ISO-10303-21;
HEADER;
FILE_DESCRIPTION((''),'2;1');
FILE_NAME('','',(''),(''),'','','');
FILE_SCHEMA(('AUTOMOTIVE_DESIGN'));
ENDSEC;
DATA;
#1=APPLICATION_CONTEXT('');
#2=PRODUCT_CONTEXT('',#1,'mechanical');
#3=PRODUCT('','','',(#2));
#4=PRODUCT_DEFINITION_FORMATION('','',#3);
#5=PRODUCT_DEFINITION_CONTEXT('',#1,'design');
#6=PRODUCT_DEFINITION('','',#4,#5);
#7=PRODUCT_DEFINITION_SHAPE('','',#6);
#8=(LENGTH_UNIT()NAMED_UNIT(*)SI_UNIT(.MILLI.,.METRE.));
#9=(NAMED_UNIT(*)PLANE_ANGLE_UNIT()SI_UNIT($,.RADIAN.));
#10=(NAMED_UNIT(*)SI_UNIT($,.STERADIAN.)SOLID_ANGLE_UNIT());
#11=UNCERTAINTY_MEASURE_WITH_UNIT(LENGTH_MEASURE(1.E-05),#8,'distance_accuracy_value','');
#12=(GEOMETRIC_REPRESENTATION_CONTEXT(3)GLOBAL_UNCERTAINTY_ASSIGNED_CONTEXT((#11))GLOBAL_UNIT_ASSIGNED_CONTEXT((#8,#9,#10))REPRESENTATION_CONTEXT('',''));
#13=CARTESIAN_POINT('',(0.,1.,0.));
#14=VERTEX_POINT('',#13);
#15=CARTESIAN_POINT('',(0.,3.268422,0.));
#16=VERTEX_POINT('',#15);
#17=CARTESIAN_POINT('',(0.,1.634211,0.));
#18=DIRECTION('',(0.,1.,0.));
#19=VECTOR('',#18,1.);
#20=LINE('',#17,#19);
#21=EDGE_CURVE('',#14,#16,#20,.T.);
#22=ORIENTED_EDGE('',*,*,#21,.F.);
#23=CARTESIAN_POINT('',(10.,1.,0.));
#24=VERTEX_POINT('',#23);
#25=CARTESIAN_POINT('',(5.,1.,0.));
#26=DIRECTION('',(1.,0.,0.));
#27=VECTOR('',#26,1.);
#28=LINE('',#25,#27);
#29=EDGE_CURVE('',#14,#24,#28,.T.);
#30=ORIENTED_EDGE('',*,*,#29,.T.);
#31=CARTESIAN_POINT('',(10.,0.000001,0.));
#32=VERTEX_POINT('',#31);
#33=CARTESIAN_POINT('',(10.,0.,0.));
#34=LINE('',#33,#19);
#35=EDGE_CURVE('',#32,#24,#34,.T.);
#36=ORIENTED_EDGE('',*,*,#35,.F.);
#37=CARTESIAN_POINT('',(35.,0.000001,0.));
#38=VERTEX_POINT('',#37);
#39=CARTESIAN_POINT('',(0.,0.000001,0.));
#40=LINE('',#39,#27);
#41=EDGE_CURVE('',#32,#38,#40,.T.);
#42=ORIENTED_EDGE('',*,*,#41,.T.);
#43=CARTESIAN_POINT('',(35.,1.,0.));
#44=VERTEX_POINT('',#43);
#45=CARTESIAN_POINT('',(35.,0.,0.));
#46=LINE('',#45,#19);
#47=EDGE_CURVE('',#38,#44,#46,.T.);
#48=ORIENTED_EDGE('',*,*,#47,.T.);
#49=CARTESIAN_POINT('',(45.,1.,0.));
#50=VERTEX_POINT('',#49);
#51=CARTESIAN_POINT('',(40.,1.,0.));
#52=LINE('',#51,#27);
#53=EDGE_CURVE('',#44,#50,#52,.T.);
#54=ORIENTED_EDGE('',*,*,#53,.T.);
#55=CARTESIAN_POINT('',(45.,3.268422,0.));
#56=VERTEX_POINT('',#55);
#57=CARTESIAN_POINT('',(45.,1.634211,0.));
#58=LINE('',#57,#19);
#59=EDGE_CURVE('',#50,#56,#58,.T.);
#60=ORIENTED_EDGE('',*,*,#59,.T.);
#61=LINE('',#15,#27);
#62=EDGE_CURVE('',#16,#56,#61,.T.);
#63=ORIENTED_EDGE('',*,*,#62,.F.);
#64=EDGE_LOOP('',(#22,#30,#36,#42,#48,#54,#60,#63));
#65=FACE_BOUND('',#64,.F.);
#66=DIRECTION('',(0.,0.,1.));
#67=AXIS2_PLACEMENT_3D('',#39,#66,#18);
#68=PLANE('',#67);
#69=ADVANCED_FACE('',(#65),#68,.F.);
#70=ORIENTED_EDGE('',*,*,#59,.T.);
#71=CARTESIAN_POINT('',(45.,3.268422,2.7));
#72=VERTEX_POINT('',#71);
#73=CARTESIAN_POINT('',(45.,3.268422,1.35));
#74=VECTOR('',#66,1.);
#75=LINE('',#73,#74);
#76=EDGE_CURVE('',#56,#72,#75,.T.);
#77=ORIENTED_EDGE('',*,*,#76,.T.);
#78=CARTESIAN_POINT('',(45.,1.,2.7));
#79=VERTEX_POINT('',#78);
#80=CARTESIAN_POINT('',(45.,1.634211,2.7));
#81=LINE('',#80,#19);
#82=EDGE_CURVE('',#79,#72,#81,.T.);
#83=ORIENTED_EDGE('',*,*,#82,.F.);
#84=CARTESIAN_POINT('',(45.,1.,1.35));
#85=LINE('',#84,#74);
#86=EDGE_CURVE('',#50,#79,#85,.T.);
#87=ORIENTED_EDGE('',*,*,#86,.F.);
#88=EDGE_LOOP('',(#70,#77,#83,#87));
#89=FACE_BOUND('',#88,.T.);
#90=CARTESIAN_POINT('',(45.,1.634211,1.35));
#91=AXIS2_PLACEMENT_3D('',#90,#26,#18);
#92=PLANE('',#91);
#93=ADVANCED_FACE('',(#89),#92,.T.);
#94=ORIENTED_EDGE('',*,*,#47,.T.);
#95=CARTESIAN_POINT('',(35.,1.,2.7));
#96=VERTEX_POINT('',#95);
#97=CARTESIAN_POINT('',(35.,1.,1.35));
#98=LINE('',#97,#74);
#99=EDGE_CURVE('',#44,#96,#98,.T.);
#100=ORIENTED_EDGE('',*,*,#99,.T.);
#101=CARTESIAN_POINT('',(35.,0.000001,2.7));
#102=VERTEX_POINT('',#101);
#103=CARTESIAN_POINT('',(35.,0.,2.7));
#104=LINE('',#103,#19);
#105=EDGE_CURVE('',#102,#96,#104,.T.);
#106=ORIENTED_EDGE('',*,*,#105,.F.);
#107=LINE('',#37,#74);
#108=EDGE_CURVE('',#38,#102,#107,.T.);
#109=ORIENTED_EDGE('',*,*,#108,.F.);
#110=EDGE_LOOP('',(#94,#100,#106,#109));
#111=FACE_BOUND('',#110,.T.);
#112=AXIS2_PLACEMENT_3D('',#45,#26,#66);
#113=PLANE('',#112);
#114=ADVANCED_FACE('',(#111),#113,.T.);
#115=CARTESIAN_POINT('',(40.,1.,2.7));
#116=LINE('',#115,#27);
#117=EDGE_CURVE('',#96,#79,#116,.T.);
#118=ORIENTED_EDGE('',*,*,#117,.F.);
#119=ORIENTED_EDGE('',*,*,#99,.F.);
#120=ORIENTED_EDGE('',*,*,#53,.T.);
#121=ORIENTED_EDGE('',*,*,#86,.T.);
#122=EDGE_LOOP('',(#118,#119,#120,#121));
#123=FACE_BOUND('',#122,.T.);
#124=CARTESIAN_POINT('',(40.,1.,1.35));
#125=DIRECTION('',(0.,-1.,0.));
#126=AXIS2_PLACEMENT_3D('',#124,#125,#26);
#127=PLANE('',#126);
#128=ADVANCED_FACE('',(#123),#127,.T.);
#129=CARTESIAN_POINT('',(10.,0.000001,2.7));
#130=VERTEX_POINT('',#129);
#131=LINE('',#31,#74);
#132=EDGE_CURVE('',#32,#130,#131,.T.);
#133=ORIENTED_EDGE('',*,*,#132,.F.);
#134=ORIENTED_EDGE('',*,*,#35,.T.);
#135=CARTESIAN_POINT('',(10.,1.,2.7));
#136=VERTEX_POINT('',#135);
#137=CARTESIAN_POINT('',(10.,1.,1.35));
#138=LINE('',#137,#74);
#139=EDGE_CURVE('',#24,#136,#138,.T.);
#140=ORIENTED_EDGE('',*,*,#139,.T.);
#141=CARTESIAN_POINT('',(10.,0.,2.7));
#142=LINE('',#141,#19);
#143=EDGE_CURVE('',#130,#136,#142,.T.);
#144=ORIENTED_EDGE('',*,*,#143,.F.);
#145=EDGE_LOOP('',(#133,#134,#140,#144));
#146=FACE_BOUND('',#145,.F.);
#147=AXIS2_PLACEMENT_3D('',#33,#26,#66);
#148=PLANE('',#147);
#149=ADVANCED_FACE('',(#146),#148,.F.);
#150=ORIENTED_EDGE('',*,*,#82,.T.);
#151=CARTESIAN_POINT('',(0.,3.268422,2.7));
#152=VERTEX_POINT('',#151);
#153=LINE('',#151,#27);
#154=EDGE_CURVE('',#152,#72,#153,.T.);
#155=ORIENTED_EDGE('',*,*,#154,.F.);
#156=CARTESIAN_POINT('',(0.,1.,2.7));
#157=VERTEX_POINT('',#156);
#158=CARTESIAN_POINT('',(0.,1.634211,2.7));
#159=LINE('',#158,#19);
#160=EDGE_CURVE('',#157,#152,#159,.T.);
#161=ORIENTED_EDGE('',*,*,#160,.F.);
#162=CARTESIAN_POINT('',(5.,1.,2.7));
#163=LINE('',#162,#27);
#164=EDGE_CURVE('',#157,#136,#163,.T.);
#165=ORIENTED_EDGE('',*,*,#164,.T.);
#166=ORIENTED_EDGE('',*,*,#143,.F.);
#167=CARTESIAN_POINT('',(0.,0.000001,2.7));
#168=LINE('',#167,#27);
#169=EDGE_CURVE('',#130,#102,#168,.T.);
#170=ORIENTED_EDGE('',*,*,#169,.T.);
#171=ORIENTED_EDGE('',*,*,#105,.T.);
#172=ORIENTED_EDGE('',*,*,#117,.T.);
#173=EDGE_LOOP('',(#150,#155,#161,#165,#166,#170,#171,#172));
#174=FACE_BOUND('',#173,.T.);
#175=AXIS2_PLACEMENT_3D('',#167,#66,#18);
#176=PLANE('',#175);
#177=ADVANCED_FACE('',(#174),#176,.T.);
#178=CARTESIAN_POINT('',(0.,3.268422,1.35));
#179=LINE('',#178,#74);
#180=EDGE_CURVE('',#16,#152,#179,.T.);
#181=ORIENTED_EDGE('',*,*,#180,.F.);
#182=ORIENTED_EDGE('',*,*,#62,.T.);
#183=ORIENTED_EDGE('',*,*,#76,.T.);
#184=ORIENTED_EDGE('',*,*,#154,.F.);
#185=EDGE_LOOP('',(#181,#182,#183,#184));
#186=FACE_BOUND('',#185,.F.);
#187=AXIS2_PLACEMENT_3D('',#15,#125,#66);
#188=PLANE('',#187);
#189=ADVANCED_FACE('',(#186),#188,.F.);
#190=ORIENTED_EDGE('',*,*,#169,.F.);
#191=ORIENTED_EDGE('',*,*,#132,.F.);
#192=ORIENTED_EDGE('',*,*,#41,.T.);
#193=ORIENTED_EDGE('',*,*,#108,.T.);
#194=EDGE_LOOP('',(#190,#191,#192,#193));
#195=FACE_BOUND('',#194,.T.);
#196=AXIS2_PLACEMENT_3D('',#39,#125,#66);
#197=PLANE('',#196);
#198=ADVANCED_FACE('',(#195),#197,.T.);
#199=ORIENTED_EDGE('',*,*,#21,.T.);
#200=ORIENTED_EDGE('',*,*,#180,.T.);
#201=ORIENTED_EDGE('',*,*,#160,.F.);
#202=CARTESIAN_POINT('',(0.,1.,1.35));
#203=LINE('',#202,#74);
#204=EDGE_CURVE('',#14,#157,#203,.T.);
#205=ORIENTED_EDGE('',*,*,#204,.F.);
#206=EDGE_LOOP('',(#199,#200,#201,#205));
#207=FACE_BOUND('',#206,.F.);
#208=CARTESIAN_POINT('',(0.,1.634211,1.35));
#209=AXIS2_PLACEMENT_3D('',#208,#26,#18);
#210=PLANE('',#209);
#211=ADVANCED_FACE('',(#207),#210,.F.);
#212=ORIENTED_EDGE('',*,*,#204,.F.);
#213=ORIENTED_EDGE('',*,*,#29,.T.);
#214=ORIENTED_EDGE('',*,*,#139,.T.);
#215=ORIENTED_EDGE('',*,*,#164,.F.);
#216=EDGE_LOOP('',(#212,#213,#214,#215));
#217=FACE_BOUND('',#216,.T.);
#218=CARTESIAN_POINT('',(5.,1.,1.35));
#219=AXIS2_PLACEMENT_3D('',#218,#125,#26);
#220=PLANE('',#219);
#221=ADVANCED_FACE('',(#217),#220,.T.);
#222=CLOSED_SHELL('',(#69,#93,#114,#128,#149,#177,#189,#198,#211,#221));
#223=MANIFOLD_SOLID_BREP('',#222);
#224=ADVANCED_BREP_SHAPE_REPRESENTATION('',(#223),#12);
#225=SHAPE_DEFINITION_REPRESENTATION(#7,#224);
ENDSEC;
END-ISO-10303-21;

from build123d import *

# Parameters (mm, degrees)
F0_W     = 3.268421
F0_H     = 2.7
F1_DEPTH = 45
F2_W     = 10
F2_H     = 2.7
F3_DEPTH = 1


with BuildPart() as f1:
    # F0 (on Right) → F1 (new body)
    with BuildSketch(Plane.YZ):
        with Locations((1.634211, 1.35)):
            Rectangle(F0_W, F0_H)
    extrude(amount=F1_DEPTH)

    # F2 (on face) → F3 (cut)
    with BuildSketch(Plane.XZ):
        with Locations((40, 1.35)):
            Rectangle(F2_W, F2_H)
        with Locations((5, 1.35)):
            Rectangle(F2_W, F2_H)
    extrude(amount=-F3_DEPTH, mode=Mode.SUBTRACT)


solid = f1.part
